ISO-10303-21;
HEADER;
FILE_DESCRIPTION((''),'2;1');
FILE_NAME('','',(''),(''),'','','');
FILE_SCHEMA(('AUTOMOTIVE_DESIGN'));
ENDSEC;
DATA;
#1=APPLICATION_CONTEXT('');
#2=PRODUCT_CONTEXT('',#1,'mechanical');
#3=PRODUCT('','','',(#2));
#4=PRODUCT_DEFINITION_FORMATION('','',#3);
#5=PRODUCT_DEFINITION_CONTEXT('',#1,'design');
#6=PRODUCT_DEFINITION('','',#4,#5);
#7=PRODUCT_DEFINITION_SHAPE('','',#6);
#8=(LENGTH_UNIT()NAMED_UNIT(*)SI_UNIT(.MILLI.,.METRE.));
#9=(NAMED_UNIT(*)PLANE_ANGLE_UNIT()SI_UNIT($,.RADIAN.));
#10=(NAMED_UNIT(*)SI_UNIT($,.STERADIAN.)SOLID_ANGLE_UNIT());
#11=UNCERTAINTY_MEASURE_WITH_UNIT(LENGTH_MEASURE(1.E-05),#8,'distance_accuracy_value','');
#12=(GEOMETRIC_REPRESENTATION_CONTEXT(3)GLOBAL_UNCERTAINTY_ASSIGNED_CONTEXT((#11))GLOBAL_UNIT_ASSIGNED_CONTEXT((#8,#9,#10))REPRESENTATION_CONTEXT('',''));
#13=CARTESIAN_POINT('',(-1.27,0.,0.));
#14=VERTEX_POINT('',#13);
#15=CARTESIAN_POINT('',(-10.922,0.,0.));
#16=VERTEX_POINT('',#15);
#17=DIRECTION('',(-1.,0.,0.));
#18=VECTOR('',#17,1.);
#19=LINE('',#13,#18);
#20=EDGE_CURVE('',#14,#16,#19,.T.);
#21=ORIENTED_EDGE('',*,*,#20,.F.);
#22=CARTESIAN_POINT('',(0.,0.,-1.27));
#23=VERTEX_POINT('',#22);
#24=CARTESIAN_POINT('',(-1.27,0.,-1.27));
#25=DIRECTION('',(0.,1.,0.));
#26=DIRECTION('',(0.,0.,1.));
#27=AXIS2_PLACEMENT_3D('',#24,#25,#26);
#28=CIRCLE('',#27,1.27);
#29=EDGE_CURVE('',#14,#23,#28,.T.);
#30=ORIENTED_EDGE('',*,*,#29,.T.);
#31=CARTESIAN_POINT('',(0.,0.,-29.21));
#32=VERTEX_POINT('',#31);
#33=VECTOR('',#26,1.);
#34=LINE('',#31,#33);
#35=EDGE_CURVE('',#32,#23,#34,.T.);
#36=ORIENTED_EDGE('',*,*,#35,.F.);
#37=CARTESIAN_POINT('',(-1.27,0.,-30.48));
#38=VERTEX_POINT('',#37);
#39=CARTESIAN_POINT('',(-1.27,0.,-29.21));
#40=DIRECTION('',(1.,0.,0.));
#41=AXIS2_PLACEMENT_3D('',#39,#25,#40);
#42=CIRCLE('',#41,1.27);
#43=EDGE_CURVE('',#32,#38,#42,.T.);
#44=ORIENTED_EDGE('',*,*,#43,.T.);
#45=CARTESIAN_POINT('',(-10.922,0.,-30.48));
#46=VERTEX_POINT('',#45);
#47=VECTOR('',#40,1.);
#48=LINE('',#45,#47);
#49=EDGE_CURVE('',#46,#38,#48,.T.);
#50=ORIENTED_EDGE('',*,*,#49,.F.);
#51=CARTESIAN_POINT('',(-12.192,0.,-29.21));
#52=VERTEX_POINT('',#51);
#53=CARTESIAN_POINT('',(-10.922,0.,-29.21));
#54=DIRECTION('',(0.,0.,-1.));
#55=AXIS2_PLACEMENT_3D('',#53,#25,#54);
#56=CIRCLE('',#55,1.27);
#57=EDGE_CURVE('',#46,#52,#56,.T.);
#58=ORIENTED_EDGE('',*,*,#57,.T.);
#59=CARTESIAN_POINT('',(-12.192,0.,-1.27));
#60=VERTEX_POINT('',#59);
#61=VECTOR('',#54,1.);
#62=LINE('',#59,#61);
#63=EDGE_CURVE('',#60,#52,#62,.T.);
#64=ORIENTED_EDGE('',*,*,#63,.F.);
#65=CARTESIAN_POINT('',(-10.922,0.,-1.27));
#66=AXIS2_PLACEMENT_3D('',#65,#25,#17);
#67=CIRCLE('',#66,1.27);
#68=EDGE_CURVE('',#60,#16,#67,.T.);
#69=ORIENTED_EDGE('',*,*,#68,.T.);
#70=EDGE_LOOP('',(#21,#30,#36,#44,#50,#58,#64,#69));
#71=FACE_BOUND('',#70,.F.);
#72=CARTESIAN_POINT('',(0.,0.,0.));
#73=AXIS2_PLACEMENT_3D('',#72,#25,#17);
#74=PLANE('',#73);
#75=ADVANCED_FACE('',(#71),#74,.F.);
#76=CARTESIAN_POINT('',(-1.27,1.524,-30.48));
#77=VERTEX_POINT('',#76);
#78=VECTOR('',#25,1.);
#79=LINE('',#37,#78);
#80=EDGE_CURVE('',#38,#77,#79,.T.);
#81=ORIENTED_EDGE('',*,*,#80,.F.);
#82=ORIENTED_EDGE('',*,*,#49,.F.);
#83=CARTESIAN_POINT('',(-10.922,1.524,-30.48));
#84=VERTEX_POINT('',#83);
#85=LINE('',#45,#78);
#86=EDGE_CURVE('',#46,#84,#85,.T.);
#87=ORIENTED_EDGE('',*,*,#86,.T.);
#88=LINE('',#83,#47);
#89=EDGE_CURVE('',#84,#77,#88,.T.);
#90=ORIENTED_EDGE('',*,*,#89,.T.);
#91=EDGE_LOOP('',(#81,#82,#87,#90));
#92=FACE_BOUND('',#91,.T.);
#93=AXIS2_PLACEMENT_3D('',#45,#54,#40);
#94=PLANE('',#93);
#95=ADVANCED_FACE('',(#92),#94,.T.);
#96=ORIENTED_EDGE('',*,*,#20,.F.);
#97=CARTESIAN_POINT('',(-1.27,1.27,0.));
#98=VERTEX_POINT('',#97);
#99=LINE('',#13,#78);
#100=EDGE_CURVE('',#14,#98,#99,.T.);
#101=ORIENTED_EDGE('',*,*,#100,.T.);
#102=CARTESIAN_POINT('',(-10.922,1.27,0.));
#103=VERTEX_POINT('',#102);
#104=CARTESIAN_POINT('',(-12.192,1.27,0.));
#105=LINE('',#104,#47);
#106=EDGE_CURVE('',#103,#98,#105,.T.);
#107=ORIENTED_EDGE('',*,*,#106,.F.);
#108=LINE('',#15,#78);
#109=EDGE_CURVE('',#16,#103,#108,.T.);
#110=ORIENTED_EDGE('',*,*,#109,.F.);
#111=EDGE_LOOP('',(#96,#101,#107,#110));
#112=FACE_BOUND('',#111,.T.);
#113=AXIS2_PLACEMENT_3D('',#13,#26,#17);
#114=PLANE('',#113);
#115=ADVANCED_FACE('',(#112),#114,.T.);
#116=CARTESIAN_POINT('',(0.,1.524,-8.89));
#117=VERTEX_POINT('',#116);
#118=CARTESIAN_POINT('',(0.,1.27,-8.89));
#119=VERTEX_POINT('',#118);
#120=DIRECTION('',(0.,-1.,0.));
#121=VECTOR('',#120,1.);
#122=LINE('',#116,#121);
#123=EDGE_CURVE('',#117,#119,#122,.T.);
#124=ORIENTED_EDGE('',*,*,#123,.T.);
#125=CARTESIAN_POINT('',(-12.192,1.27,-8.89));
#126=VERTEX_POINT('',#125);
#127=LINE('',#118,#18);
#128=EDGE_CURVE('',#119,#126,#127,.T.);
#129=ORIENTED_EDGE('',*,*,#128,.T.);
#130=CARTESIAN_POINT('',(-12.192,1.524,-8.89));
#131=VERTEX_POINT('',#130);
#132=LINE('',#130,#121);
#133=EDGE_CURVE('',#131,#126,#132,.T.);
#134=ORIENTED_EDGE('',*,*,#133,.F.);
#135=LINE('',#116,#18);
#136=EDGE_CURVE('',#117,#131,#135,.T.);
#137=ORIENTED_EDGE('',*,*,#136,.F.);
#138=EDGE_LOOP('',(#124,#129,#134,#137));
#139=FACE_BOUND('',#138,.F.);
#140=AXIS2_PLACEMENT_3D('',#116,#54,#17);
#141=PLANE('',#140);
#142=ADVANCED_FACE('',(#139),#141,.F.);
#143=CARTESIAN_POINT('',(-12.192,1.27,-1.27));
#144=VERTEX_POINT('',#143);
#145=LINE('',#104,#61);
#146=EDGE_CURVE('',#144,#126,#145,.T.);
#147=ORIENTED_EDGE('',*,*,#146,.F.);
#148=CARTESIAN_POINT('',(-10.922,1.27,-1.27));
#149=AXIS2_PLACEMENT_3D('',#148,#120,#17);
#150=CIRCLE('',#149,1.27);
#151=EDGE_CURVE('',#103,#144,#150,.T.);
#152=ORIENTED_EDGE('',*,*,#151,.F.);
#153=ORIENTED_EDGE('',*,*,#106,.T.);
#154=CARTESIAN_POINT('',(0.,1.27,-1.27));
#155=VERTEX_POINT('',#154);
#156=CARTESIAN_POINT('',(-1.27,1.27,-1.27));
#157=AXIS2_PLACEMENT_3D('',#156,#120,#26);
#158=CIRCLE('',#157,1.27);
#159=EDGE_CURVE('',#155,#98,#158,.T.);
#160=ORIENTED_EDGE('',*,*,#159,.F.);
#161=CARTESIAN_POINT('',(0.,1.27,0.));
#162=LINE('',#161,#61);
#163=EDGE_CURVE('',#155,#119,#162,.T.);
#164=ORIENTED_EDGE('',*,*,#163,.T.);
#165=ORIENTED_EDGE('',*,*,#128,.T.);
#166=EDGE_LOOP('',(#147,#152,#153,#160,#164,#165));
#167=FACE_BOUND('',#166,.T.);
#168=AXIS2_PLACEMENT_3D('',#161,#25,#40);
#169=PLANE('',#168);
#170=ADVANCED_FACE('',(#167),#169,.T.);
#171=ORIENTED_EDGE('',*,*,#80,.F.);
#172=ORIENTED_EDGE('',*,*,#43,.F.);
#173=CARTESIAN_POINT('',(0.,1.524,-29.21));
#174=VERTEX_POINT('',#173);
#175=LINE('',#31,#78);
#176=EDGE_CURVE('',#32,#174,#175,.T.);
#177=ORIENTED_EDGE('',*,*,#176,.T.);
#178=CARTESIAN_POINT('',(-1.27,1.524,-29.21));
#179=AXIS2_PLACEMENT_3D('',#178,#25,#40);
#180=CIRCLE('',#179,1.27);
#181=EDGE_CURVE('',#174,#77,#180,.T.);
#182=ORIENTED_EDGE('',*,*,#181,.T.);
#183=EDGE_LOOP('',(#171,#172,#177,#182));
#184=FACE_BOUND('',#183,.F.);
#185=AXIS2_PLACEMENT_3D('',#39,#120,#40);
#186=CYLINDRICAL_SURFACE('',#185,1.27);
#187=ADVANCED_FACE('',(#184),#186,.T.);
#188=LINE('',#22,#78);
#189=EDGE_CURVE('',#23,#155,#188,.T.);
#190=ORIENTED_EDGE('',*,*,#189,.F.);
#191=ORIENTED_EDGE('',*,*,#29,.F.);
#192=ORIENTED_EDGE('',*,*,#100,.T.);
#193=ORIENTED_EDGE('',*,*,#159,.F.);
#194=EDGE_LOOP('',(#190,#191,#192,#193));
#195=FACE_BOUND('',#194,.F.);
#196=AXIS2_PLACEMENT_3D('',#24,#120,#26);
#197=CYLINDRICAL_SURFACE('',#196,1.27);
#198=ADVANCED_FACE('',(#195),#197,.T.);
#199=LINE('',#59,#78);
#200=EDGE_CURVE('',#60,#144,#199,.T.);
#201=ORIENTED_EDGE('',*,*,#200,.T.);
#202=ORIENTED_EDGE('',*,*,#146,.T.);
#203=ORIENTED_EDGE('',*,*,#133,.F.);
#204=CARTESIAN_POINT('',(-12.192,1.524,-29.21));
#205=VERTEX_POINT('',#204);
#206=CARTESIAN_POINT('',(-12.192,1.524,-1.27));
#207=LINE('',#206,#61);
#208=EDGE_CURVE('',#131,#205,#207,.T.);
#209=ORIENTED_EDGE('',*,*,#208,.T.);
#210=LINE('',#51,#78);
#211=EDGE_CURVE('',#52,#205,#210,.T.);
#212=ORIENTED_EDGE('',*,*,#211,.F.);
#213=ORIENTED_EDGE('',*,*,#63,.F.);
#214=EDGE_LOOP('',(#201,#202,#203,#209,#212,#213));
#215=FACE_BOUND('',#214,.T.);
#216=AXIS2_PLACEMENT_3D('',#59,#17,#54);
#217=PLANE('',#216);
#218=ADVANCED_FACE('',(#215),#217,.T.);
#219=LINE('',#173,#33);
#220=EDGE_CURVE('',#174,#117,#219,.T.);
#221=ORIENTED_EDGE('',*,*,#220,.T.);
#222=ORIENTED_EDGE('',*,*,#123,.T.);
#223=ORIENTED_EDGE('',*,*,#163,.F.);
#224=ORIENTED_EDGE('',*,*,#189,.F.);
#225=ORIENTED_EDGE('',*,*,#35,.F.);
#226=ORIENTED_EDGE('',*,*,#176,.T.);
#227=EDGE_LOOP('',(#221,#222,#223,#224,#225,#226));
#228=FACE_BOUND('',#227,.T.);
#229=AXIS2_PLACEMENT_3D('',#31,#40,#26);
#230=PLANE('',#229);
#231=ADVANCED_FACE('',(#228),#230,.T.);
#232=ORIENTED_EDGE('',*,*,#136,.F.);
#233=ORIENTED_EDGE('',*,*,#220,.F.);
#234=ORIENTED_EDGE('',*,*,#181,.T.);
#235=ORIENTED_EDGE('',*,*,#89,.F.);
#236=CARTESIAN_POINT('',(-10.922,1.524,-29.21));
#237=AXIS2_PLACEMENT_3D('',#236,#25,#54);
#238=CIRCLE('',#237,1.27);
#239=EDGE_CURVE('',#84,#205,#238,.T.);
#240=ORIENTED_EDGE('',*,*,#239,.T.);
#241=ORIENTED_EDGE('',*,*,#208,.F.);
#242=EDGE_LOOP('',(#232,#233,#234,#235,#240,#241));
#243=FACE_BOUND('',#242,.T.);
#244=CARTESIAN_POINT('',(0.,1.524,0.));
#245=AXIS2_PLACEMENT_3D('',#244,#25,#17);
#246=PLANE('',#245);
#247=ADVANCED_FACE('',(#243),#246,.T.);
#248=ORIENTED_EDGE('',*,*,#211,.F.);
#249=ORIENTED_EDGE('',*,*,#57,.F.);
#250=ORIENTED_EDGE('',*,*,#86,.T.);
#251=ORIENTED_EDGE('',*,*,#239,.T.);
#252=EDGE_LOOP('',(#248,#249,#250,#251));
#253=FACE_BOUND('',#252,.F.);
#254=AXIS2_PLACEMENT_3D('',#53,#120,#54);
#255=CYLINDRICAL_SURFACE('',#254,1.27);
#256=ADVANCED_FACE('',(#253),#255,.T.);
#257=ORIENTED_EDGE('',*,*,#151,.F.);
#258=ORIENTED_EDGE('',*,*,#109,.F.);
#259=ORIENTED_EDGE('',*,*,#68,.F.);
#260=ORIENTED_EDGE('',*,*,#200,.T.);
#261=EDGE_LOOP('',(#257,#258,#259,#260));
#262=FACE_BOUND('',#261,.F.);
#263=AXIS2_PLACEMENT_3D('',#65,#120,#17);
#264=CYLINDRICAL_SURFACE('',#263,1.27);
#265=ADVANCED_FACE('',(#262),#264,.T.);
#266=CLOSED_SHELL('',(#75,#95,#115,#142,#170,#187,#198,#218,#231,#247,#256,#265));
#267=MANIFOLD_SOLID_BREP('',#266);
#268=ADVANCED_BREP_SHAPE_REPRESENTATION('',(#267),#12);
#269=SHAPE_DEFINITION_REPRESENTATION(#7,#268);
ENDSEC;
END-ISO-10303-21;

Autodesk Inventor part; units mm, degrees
ref_plane "YZ Plane" through (0, 0, 0) normal (1, 0, 0) x (0, 1, 0)
ref_plane "XZ Plane" through (0, 0, 0) normal (0, 1, 0) x (-1, 0, 0)
ref_plane "XY Plane" through (0, 0, 0) normal (0, 0, 1) x (1, 0, 0)
sketch "Sketch1" plane through (0, 0, 0) normal (0, 1, 0) x (-1, 0, 0)
  line L0 (1.27, 0) -> (10.922, 0)
  line L1 (12.192, -1.27) -> (12.192, -29.21)
  line L2 (10.922, -30.48) -> (1.27, -30.48)
  line L3 (0, -29.21) -> (0, -1.27)
  arc A0 (12.192, -1.27) -> (10.922, 0) centre (10.922, -1.27) ccw
  arc A1 (1.27, 0) -> (0, -1.27) centre (1.27, -1.27) ccw
  arc A2 (0, -29.21) -> (1.27, -30.48) centre (1.27, -29.21) ccw
  arc A3 (10.922, -30.48) -> (12.192, -29.21) centre (10.922, -29.21) ccw
  point P0 (0, 0)
  point P1 (12.192, -30.48)
  point P2 (12.192, 0)
  point P3 (0, -30.48)
  dimension "d0" = 12.192
  dimension "d1" = 30.48
  dimension "d2" = 1.27
extrude "Extrusion1" add sketch "Sketch1" along normal blind 1.524
sketch "Sketch2" plane through (0, 1.524, 0) normal (0, 1, 0) x (1, 0, 0)
  line L0 (0, 1.27) -> (0, 29.21) projected
  line L1 (-12.192, 0) -> (0, 0)
  line L2 (0, 0) -> (0, 8.89)
  line L3 (0, 8.89) -> (-12.192, 8.89)
  line L4 (-12.192, 8.89) -> (-12.192, 0)
  arc A0 (-12.192, 1.27) -> (-10.922, 0) centre (-10.922, 1.27) ccw projected
  line L5 (-10.922, 0) -> (-1.27, 0) construction
  point P0 (0, 0)
  dimension "d5" = 8.89
  dimension "d6" = 12.192
  dimension "d7" = 9.652
extrude "Extrusion2" cut sketch "Sketch2" against normal blind 0.254
properties part number "Adafruit-MicroLipoBatteryCharger"
